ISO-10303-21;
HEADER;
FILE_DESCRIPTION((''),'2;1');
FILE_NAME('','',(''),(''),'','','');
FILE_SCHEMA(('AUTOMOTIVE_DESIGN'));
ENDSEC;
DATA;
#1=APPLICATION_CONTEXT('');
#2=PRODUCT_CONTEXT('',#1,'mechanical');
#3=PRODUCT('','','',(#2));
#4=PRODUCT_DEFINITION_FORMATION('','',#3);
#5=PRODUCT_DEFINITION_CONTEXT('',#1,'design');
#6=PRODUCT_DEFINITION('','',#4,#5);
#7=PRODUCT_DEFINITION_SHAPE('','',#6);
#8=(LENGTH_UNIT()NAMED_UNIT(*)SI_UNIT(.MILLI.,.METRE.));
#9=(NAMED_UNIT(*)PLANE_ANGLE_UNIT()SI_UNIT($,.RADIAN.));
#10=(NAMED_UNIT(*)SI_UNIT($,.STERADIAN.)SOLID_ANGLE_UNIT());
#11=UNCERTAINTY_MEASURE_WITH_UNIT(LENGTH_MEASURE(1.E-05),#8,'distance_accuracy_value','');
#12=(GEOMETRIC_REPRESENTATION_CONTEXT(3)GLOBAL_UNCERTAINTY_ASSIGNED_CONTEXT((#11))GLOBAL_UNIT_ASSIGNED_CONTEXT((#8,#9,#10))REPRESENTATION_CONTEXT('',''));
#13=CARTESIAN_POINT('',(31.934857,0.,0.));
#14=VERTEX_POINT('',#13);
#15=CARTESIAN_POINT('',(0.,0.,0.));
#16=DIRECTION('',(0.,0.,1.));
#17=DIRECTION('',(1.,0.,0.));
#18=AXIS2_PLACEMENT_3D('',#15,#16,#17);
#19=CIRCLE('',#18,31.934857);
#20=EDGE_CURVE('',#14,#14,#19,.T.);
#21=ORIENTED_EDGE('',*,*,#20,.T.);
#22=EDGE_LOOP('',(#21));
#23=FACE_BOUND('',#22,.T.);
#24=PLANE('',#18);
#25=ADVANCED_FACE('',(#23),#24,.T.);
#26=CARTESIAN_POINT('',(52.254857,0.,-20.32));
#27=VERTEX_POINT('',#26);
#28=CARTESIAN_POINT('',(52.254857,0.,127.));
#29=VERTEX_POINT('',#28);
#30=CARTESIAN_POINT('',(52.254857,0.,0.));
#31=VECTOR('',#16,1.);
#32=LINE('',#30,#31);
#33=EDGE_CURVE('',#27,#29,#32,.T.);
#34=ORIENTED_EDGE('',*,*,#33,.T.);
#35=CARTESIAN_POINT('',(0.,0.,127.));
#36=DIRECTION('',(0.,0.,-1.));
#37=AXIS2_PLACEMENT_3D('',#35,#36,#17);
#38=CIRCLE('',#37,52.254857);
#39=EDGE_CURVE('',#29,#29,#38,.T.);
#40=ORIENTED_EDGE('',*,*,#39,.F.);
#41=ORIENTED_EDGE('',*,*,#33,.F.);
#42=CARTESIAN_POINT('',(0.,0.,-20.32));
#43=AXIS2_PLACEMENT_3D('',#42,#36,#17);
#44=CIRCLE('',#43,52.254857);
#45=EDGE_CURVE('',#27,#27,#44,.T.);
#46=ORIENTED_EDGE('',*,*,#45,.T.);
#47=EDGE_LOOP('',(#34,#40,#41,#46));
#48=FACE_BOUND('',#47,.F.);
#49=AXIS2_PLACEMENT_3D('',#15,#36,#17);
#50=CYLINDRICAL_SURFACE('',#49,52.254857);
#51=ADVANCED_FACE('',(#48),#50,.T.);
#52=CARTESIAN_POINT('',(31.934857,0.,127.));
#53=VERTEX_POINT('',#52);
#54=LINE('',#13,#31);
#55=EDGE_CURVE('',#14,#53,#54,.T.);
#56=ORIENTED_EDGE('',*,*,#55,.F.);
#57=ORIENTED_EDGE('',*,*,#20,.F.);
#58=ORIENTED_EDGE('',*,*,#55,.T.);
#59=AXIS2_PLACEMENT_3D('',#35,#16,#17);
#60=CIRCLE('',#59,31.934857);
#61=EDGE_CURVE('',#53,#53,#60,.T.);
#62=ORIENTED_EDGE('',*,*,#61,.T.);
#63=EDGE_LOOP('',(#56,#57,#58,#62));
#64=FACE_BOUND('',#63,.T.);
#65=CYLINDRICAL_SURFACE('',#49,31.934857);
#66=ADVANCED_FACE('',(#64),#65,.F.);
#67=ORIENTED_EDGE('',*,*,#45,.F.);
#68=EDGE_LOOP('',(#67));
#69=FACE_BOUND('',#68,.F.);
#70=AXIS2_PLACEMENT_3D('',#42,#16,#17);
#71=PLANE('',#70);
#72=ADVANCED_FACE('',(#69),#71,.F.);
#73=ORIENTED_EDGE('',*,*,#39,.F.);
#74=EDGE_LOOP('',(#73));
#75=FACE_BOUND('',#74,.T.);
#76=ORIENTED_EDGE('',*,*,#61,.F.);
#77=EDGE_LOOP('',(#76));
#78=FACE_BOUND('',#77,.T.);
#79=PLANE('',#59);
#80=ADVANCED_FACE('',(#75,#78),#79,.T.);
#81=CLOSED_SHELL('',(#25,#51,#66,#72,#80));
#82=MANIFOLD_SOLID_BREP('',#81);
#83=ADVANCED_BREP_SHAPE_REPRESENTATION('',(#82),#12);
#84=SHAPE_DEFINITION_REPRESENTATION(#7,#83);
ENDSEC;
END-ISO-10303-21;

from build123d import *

# Parameters (mm, degrees)
F0_R     = 31.9348574098
F1_DEPTH = 127
F2_T     = 20.32


with BuildPart() as f1:
    # F0 (on Top) → F1 (new body)
    with BuildSketch(Plane.XY):
        Circle(F0_R)
    extrude(amount=F1_DEPTH)

    # F2
    f2_openings = [f1.faces().sort_by_distance(p)[0] for p in [
        (0, 0, 127),
    ]]
    offset(amount=F2_T, openings=f2_openings, kind=Kind.INTERSECTION)


solid = f1.part
